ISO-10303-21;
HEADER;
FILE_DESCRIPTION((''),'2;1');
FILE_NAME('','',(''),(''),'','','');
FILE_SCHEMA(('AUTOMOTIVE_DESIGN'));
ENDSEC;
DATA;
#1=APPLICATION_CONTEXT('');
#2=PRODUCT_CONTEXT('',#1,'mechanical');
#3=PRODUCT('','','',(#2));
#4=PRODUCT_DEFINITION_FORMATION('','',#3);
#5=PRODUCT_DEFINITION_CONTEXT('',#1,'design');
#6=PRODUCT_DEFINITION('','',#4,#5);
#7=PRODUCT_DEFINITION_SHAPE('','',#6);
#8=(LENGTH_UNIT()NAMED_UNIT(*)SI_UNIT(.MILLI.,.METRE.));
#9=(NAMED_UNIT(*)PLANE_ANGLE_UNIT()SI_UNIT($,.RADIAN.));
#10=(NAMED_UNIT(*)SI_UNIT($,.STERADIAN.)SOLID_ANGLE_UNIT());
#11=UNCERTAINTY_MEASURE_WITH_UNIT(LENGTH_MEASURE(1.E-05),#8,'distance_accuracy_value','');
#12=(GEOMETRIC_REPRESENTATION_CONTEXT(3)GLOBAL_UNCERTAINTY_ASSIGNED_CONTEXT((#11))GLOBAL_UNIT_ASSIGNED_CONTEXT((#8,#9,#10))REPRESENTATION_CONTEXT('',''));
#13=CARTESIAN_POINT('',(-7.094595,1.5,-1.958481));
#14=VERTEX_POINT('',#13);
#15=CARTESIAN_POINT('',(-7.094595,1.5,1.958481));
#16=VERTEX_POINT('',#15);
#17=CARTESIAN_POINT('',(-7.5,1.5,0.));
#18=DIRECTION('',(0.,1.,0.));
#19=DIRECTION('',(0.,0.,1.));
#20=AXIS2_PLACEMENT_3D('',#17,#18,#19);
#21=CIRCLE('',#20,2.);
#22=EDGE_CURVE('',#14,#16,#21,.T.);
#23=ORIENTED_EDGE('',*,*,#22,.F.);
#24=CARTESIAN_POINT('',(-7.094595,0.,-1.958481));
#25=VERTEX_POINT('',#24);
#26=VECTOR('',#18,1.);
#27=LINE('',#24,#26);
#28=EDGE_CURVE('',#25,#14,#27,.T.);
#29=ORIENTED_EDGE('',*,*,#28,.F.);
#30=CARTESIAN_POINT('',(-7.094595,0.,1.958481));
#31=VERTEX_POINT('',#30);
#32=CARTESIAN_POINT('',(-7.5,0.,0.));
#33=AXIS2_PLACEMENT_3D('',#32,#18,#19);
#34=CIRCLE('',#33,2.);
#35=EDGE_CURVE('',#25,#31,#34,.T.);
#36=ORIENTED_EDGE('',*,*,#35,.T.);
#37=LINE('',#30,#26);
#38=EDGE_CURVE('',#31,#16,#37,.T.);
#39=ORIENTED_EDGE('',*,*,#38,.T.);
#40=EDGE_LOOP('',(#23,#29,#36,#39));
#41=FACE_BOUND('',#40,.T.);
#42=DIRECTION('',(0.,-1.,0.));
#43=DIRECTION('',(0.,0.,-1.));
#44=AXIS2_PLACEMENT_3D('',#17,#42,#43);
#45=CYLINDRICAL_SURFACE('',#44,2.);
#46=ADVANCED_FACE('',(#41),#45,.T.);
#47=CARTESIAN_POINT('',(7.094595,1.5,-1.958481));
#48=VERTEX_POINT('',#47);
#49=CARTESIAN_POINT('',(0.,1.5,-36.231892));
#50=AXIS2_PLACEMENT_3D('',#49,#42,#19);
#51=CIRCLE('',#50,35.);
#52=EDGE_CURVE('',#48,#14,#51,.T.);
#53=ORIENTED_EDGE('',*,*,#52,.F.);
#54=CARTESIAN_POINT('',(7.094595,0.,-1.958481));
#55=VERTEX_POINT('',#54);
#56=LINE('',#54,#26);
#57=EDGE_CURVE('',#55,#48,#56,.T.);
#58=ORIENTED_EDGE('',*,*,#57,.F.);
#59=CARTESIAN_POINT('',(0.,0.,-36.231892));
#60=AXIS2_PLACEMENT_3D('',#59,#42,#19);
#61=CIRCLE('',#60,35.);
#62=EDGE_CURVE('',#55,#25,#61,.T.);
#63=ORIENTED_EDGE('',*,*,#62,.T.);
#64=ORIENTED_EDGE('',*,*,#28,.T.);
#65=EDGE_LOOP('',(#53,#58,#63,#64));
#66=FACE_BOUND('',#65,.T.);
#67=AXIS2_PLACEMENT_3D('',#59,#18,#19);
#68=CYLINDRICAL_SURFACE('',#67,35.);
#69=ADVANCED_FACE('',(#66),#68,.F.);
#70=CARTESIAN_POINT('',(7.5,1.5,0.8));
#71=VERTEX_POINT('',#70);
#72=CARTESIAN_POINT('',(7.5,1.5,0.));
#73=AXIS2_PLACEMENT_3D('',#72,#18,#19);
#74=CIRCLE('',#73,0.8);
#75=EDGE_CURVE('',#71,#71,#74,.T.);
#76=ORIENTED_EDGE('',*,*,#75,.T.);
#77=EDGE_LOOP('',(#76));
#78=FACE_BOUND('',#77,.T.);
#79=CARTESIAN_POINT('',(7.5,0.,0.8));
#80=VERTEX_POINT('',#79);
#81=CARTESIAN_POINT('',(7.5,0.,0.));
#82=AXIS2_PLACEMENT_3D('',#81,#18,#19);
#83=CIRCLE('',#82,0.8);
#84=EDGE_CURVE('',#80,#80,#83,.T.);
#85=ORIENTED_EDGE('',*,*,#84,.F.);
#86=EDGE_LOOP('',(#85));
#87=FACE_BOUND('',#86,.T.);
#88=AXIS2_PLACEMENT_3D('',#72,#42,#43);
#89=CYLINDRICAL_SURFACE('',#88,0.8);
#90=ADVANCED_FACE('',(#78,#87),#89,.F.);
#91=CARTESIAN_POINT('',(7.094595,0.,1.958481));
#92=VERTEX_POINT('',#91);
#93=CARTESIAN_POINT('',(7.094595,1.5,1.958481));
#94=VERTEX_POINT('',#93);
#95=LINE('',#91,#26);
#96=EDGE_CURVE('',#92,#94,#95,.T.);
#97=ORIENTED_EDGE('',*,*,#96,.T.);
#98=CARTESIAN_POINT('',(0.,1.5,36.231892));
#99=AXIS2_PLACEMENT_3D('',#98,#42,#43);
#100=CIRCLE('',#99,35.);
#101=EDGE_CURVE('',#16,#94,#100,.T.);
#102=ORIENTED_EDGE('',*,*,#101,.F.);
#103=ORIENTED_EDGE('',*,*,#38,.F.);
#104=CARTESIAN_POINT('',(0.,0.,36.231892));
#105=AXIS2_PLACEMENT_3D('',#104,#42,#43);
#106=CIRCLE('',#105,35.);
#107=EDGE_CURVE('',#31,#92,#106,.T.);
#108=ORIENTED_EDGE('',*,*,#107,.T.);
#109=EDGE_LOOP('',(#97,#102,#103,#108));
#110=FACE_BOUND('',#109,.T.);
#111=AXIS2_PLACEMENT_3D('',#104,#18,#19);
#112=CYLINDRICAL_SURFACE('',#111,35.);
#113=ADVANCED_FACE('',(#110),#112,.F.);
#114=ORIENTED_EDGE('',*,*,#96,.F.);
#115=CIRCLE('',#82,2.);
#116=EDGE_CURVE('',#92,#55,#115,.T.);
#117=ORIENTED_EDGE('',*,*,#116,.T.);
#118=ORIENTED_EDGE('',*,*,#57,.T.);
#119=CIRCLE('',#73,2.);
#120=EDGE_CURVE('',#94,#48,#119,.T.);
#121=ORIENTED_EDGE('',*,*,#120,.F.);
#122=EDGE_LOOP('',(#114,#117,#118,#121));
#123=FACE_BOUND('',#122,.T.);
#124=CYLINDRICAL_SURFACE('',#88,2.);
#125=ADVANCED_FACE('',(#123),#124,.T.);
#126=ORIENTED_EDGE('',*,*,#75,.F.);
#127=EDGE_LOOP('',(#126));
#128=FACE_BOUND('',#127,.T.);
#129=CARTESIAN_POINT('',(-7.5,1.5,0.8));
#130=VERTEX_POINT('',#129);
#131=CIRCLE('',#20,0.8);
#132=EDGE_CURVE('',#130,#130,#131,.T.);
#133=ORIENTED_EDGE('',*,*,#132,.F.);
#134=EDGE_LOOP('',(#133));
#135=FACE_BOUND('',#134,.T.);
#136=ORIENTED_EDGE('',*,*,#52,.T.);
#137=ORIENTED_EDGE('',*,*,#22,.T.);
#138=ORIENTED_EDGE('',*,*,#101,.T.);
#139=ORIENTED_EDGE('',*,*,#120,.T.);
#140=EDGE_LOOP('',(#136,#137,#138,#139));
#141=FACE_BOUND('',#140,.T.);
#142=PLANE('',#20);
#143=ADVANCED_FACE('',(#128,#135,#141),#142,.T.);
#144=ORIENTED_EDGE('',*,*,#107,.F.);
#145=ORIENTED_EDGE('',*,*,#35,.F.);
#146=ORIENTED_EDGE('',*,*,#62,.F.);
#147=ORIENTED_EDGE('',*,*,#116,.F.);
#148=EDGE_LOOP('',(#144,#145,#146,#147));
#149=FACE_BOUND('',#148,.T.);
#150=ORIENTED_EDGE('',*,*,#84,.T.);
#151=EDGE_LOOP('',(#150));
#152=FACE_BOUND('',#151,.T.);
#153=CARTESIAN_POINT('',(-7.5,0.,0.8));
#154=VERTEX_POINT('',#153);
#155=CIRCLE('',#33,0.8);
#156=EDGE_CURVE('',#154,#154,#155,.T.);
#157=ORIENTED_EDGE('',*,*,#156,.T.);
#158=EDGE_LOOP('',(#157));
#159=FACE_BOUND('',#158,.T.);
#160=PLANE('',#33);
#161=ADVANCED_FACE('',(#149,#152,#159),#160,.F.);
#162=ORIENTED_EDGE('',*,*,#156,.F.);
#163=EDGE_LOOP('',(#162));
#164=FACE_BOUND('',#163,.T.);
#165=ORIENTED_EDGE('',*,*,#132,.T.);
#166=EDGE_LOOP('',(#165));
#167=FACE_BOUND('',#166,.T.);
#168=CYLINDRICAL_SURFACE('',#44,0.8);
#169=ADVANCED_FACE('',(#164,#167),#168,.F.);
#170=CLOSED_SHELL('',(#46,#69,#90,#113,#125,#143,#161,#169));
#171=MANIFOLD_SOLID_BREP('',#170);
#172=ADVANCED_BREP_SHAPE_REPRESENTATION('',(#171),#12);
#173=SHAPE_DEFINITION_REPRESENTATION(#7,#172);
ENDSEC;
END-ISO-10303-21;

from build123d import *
from build123d.topology import SkipClean

# Parameters (mm, degrees)
SKETCH1_R           = 0.8
BOSS_EXTRUDE1_DEPTH = 1.5
SKETCH2_OUTSIDE_W   = 24.894
SKETCH2_OUTSIDE_H   = 9.894
CUT_EXTRUDE1_DEPTH  = 10.823441352


with BuildPart() as part:
    # Sketch1 → Boss-Extrude1 (new body)
    with BuildSketch(Plane(origin=(0, 0, 0), x_dir=(1, 0, 0), z_dir=(0, 1, 0))):
        with BuildLine():
            Line((-7.5, 2), (7.5, 2))
            ThreePointArc((7.5, 2), (9.5, 0), (7.5, -2))
            Line((7.5, -2), (-7.5, -2))
            ThreePointArc((-7.5, -2), (-9.5, 0), (-7.5, 2))
        make_face()
        with Locations(Location((-7.5, 0, 0), (0, 0, 270))):
            Circle(SKETCH1_R, mode=Mode.SUBTRACT)
        with Locations(Location((7.5, 0, 0), (0, 0, 270))):
            Circle(SKETCH1_R, mode=Mode.SUBTRACT)
    extrude(amount=BOSS_EXTRUDE1_DEPTH)

    # Sketch2 outside → Cut-Extrude1 (cut, through all)
    with SkipClean():  # the faces are left unmerged after this step: merging them gives an invalid solid
        with BuildSketch(Plane(origin=(0, 1.5, 0), x_dir=(1, 0, 0), z_dir=(0, 1, 0))):
            Rectangle(SKETCH2_OUTSIDE_W, SKETCH2_OUTSIDE_H)
            with BuildLine():
                ThreePointArc((-7.094594595, 1.95848065), (-9.5, 0), (-7.094594595, -1.95848065))
                ThreePointArc((-7.094594595, -1.95848065), (0, -1.231892029), (7.094594595, -1.95848065))
                ThreePointArc((7.094594595, -1.95848065), (9.5, 0), (7.094594595, 1.95848065))
                ThreePointArc((7.094594595, 1.95848065), (0, 1.231892029), (-7.094594595, 1.95848065))
            make_face(mode=Mode.SUBTRACT)
        extrude(amount=-CUT_EXTRUDE1_DEPTH, mode=Mode.SUBTRACT)


solid = part.part
